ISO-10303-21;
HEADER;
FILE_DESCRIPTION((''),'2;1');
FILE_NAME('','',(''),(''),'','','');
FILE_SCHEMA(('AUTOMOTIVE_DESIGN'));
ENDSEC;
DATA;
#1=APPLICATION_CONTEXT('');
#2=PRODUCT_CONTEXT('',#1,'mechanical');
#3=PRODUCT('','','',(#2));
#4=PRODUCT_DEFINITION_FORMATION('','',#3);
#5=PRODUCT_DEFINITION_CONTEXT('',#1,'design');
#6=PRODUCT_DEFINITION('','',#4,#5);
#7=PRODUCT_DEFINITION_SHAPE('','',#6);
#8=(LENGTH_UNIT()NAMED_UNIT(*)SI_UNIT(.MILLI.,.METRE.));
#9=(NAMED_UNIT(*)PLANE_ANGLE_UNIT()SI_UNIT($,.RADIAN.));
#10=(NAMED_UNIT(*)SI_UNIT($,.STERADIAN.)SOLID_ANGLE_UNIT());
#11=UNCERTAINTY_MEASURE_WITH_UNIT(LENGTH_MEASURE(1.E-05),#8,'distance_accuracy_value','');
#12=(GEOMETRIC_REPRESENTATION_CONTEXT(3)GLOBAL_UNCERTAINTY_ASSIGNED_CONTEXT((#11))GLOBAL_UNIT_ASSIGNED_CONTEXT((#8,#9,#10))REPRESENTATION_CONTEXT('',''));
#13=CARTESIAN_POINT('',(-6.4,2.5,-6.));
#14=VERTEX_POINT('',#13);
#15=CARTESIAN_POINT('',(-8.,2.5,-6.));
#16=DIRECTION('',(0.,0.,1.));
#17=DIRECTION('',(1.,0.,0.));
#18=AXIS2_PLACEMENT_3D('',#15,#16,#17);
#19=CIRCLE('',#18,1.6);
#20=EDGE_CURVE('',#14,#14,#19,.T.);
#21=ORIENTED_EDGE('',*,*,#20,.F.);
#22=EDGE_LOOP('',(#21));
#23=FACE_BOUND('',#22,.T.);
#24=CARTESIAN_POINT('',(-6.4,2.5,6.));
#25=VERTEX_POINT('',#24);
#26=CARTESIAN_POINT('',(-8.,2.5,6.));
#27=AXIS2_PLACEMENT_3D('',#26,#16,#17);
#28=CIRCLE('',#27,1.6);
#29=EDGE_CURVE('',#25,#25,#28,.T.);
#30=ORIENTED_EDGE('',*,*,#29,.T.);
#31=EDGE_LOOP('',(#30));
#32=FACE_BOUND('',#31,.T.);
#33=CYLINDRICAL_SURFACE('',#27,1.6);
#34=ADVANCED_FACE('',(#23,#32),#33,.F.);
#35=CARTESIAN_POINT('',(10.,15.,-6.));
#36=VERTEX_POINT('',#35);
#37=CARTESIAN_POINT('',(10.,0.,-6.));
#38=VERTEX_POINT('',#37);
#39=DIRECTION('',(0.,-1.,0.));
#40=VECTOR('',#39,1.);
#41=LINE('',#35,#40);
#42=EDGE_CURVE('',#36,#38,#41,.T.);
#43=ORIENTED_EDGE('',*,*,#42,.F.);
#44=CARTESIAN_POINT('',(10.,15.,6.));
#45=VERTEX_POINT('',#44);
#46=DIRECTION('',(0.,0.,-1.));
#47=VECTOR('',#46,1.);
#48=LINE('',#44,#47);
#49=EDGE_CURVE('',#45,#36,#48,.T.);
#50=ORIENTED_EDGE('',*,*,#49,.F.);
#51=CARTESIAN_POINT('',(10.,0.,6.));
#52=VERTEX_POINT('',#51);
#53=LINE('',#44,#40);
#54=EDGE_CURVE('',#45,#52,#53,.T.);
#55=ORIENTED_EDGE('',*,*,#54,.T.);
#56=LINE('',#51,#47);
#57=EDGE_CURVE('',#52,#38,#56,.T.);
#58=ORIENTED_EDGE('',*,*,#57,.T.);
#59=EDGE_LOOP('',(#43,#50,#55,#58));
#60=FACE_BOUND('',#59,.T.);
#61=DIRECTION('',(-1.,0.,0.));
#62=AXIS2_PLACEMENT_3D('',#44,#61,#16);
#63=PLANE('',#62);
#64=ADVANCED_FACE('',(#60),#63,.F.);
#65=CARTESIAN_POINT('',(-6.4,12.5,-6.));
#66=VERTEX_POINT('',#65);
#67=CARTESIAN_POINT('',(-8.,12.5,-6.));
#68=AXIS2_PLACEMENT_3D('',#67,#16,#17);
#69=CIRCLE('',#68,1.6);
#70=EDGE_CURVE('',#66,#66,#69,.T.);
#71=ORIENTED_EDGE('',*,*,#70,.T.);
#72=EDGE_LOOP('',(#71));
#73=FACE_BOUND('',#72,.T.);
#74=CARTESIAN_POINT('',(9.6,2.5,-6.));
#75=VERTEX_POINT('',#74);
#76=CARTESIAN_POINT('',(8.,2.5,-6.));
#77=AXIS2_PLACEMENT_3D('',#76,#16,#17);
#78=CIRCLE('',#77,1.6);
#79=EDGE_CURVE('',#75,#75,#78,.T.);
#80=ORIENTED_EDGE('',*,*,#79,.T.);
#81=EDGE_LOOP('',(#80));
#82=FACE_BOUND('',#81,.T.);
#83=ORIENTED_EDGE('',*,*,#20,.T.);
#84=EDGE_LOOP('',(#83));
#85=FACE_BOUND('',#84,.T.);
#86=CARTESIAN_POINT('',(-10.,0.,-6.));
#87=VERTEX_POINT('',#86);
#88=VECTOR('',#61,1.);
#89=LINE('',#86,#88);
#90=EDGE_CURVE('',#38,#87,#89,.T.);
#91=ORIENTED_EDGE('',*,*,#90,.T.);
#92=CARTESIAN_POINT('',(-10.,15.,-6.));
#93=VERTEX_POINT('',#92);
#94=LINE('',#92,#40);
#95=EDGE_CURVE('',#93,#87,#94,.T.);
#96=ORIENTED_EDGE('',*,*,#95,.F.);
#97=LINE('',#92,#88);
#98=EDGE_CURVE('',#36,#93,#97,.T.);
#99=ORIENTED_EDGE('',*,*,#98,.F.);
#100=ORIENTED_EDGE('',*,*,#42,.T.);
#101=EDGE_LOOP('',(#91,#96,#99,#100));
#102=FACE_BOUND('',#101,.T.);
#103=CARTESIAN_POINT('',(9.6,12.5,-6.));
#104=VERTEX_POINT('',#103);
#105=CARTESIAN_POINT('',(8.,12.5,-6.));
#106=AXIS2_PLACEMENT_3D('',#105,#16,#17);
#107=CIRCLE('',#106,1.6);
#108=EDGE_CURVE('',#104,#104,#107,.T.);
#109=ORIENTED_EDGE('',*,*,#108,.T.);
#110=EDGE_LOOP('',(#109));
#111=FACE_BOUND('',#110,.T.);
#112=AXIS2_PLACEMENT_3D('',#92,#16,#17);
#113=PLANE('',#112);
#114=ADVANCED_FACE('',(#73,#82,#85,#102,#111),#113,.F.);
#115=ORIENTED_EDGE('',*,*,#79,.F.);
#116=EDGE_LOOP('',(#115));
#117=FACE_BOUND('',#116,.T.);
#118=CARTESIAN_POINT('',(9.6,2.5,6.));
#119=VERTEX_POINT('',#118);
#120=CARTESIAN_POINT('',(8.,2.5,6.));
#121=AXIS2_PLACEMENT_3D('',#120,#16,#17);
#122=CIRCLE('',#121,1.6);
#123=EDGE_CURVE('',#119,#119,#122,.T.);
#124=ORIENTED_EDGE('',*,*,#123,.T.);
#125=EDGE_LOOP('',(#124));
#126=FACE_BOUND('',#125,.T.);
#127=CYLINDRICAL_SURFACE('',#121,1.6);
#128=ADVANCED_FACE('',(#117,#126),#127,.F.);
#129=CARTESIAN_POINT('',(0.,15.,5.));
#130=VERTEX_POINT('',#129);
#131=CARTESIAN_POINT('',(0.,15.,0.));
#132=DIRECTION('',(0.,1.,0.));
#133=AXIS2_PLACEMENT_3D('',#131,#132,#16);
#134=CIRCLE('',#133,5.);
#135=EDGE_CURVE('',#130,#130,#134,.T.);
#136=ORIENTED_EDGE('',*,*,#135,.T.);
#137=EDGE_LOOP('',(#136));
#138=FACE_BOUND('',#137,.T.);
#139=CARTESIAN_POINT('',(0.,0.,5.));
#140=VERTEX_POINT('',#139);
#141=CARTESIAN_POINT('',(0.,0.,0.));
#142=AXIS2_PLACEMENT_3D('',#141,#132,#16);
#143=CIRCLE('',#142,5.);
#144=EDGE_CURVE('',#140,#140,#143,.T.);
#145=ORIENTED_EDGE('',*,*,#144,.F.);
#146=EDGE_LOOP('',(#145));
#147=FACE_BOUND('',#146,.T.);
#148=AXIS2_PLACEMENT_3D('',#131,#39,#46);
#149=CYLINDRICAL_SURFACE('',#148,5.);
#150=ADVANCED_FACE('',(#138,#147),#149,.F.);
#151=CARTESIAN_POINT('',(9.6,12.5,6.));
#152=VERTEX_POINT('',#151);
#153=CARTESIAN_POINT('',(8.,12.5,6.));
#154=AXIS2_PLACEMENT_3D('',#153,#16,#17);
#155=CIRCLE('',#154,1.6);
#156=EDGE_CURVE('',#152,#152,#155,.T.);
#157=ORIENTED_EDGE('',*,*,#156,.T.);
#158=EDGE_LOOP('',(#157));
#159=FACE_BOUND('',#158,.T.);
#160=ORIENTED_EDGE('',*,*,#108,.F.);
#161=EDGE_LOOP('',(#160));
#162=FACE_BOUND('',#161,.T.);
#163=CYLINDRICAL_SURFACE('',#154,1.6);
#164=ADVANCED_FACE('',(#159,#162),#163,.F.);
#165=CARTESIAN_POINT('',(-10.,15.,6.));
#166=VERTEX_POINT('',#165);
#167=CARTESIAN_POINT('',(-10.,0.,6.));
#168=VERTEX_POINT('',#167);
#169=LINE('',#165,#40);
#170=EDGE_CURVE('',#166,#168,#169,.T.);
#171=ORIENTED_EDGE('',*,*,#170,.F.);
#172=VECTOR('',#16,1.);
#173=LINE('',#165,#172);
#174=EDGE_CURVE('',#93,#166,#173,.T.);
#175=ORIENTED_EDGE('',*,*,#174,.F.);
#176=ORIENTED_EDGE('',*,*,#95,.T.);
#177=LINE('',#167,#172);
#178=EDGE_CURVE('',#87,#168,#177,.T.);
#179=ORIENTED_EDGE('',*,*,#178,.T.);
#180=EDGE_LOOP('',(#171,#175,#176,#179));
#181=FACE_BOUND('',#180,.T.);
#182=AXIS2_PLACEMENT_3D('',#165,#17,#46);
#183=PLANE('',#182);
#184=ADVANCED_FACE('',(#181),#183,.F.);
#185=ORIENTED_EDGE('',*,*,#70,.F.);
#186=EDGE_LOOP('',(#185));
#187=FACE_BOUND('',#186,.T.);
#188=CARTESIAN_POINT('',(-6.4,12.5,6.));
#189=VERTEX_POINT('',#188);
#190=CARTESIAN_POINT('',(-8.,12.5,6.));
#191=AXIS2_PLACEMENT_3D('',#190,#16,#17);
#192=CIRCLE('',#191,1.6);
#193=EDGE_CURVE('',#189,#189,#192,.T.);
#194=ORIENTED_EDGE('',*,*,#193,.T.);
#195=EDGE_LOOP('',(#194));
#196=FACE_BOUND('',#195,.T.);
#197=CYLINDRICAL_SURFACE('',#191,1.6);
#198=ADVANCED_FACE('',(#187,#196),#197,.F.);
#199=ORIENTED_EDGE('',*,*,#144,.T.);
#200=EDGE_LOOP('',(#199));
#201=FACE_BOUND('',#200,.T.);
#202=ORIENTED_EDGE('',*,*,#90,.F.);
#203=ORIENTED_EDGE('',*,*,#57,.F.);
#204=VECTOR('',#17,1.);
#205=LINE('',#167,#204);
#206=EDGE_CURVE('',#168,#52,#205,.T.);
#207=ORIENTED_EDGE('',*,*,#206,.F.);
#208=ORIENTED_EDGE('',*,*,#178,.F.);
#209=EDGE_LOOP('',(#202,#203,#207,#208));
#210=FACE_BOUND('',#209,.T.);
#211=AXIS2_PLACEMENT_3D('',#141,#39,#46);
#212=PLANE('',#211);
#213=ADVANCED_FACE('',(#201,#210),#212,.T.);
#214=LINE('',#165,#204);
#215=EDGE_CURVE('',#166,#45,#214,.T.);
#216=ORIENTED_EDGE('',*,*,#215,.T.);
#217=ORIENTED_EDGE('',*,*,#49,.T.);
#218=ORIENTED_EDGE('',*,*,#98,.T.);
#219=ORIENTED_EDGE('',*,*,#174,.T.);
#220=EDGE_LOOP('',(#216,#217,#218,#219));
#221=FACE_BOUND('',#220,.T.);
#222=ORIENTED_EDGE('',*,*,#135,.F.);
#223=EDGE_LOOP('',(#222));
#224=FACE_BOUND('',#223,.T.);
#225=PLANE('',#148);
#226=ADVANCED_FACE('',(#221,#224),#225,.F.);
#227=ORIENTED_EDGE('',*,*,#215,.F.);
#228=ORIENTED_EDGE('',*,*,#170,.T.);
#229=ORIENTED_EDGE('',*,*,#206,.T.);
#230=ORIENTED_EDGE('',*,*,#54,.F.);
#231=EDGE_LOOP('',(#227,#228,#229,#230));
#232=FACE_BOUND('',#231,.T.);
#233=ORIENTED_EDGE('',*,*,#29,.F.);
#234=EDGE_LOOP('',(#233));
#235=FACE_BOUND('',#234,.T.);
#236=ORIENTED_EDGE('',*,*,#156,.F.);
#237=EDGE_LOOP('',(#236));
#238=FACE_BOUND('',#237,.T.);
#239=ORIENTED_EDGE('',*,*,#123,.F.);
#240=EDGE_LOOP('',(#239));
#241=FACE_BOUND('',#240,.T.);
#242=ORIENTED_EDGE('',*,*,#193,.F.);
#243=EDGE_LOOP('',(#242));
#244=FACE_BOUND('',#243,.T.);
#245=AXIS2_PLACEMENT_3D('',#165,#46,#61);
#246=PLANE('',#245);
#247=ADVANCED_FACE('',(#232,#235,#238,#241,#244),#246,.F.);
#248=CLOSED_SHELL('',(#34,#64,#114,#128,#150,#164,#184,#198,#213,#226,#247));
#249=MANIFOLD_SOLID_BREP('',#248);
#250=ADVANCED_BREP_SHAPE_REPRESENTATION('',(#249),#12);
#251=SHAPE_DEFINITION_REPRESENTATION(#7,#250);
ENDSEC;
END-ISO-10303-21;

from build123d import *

# Parameters (mm, degrees)
SZKIC1_W                    = 20
SZKIC1_H                    = 12
SZKIC1_R                    = 5
DODANIE_WYCI_GNI_CIE1_DEPTH = 15
OTW_R_3_2_3_2_1_D           = 3.2


with BuildPart() as part:
    # Szkic1 → Dodanie-wyciągnięcie1 (new body)
    with BuildSketch(Plane(origin=(0, 0, 0), x_dir=(1, 0, 0), z_dir=(0, 1, 0))):
        Rectangle(SZKIC1_W, SZKIC1_H)
        with Locations(Location((0, 0, 0), (0, 0, 270))):
            Circle(SZKIC1_R, mode=Mode.SUBTRACT)
    extrude(amount=DODANIE_WYCI_GNI_CIE1_DEPTH)

    # Otwór Ø3.2 (3.2)1 (through all)
    with Locations(Plane.XY.offset(6)):
        with Locations((8, 12.5), (-8, 12.5), (-8, 2.5), (8, 2.5)):
            Hole(OTW_R_3_2_3_2_1_D / 2)


solid = part.part
